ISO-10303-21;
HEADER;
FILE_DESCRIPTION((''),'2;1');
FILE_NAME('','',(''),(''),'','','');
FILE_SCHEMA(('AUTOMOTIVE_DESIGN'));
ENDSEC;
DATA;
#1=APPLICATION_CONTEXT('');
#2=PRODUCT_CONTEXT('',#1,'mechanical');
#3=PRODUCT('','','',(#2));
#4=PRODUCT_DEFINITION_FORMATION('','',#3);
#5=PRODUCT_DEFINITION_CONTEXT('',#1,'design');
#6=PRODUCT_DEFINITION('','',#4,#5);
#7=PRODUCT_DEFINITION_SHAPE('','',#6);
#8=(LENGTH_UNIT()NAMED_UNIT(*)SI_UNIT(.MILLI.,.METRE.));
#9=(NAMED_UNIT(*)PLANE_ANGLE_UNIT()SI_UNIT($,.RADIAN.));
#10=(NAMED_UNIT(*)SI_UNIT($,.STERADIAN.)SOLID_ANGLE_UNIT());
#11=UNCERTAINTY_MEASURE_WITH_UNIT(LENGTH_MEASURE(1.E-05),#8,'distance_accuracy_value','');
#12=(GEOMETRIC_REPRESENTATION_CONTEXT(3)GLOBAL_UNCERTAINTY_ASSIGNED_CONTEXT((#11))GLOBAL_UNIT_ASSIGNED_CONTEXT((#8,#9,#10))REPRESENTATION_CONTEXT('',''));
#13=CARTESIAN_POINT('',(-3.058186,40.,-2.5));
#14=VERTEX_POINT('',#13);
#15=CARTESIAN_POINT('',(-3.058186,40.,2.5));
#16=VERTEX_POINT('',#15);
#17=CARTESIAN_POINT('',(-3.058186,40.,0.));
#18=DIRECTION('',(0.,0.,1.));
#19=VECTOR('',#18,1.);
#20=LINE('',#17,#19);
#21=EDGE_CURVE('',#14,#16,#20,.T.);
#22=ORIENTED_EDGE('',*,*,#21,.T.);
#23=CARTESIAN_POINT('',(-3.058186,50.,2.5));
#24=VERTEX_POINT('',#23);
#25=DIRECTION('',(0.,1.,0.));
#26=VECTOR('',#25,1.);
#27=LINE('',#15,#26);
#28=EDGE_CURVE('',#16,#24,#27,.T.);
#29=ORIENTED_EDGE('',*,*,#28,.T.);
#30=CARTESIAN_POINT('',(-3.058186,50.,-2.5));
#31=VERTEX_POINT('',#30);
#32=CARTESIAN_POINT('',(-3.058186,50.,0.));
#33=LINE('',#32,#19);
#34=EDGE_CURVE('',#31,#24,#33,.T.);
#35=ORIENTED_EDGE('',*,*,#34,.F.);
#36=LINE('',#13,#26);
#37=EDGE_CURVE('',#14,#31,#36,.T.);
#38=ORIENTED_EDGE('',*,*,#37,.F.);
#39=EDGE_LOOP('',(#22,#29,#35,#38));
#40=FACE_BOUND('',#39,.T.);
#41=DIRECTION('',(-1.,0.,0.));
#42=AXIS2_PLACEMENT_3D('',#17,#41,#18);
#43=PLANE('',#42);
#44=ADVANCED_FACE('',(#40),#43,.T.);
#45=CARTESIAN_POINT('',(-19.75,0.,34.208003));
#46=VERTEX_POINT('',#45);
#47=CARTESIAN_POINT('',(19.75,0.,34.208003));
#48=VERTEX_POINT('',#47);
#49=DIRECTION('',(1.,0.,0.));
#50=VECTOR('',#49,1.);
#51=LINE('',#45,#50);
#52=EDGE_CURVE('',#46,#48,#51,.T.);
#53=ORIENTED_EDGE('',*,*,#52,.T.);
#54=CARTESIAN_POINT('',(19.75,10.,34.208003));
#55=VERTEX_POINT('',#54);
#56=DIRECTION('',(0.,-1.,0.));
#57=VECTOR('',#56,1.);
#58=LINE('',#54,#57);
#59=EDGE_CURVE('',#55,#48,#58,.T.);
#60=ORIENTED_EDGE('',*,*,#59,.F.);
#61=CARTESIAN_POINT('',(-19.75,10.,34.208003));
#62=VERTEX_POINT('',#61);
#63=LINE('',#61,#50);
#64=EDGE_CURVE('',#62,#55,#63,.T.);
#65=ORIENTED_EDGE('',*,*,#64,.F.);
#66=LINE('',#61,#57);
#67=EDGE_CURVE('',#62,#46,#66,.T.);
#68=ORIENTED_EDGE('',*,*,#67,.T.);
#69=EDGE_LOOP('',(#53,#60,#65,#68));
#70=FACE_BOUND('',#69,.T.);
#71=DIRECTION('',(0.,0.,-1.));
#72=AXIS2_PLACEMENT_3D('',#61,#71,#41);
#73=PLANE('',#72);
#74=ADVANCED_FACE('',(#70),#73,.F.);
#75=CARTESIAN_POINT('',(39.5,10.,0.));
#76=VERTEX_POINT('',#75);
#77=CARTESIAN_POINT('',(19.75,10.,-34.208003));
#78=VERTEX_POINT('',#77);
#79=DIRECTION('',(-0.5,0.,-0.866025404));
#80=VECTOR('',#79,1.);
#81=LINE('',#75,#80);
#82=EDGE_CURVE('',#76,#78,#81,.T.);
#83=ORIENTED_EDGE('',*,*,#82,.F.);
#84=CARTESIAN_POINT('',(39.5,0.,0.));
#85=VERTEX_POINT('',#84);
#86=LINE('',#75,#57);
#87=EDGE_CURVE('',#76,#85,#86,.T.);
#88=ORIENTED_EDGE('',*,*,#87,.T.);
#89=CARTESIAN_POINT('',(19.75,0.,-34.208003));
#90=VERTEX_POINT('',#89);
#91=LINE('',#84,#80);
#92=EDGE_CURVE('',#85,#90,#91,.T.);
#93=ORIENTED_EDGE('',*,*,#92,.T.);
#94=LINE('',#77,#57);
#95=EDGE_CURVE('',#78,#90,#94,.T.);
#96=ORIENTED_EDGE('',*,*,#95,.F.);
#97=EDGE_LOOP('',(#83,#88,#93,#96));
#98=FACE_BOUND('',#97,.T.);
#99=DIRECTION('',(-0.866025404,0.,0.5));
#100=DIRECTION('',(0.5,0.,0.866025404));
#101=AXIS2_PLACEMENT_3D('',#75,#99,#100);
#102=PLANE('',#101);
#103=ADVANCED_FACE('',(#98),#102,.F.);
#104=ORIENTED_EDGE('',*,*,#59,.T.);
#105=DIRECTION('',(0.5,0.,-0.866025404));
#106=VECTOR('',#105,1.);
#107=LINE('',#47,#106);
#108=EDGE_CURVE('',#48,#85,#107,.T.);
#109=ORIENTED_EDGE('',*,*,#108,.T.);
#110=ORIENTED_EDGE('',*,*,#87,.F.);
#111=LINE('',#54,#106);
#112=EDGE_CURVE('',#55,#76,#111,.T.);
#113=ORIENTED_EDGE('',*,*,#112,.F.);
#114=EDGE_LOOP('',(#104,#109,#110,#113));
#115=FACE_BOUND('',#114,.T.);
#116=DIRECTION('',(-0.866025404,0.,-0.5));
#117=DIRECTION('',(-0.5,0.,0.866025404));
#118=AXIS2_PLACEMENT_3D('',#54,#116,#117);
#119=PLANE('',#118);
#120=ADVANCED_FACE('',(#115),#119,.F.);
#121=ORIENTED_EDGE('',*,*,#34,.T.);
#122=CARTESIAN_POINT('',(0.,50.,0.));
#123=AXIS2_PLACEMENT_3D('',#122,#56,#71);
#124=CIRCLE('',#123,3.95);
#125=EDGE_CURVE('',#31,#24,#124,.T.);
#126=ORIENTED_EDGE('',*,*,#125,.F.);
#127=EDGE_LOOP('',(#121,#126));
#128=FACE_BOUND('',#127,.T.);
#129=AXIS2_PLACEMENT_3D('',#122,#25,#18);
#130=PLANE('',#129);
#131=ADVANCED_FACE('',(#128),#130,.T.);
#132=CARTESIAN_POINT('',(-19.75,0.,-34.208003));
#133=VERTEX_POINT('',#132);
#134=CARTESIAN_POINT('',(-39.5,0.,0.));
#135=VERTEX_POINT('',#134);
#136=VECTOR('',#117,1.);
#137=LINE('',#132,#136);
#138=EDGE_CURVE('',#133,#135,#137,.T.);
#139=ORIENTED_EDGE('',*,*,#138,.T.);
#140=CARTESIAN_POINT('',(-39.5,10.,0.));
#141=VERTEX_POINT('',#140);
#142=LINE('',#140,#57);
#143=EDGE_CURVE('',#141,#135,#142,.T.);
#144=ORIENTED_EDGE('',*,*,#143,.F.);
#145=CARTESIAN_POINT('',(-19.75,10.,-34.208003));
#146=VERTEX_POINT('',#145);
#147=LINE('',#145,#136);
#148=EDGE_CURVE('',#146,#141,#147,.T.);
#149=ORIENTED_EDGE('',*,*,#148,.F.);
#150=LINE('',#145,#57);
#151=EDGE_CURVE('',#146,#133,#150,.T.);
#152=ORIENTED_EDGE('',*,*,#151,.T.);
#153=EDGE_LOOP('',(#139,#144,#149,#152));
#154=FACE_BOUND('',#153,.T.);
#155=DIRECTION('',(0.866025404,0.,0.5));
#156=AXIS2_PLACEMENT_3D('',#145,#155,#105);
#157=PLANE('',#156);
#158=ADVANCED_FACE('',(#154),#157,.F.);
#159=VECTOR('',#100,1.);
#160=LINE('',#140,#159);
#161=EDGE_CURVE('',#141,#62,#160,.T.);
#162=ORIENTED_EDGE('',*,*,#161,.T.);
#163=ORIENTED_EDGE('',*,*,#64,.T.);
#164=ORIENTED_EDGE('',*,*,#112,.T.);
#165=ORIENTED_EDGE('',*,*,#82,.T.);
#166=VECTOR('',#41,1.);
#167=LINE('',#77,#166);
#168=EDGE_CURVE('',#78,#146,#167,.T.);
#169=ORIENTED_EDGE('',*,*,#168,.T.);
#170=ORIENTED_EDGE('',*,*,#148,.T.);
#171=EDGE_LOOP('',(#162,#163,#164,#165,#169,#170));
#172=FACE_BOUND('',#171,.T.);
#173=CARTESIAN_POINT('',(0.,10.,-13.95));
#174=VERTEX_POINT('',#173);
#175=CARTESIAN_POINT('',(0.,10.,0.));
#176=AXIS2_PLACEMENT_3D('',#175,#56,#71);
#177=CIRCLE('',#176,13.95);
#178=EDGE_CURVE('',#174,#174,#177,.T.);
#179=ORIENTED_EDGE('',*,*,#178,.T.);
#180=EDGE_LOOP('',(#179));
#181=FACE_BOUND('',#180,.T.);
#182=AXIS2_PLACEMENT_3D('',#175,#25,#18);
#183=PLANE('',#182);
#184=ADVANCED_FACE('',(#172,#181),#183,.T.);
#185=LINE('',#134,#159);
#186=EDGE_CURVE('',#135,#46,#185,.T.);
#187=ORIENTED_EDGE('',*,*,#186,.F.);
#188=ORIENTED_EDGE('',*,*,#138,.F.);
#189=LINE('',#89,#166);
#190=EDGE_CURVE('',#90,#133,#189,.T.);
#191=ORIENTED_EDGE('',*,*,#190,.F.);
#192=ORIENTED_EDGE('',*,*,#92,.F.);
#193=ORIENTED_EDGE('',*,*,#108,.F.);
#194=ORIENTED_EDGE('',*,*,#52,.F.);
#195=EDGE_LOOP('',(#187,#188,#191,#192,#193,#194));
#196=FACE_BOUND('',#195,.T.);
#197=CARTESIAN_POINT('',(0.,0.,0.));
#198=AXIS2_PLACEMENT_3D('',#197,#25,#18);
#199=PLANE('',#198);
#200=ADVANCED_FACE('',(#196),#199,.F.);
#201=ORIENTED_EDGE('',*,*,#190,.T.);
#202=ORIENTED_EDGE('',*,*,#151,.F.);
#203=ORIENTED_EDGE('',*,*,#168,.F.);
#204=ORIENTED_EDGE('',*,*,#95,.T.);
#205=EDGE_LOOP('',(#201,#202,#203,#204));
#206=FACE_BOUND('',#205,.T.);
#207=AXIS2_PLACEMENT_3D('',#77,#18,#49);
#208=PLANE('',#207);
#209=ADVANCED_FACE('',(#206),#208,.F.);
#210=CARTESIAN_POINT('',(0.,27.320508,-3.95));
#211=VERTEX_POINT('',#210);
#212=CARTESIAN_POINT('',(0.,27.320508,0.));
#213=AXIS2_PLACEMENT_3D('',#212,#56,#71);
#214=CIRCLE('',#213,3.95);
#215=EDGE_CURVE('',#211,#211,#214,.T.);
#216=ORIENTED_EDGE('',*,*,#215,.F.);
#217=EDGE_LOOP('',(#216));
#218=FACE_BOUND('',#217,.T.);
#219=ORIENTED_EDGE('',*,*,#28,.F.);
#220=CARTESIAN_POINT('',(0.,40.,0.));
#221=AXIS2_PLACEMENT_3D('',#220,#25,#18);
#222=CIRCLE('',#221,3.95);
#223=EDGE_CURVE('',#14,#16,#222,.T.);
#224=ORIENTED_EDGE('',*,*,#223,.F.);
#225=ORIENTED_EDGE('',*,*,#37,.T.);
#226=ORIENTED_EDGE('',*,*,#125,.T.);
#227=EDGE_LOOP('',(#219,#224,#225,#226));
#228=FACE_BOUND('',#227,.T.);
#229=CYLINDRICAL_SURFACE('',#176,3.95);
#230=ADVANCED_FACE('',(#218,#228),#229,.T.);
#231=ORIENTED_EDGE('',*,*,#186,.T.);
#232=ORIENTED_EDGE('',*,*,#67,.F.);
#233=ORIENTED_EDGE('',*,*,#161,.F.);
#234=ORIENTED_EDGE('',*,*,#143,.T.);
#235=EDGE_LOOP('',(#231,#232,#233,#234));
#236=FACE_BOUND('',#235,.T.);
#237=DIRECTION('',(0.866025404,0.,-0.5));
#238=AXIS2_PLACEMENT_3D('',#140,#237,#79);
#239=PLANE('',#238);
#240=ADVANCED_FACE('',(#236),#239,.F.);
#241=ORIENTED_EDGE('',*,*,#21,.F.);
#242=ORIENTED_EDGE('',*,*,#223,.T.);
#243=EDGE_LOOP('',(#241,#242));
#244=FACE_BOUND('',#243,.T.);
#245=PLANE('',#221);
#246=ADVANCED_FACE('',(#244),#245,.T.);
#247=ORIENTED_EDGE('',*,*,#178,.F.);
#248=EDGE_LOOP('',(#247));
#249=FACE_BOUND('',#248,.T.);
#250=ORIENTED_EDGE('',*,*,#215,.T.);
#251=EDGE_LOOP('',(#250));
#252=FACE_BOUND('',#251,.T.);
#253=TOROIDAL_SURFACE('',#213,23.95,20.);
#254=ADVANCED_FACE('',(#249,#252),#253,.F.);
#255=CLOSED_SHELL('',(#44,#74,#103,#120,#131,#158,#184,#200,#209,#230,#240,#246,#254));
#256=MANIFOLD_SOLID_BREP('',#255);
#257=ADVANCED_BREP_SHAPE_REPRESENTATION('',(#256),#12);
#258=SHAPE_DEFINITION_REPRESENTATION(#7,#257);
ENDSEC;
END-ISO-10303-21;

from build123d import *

# Parameters (mm, degrees)
BOSS_EXTRUDE1_DEPTH = 10
CUT_EXTRUDE1_START  = -10
CUT_EXTRUDE1_DEPTH  = 10


with BuildPart() as part:
    # Sketch1 → Boss-Extrude1 (new body)
    with BuildSketch(Plane(origin=(0, 0, 0), x_dir=(1, 0, 0), z_dir=(0, 1, 0))):
        Polygon((-19.75, 34.208003449), (-39.5, 0), (-19.75, -34.208003449), (19.75, -34.208003449), (39.5, 0), (19.75, 34.208003449), align=None)
    extrude(amount=BOSS_EXTRUDE1_DEPTH)

    # Sketch7 → Revolve1 (revolve)
    with BuildSketch(Plane(origin=(0, 0, 0), x_dir=(0, 0, -1), z_dir=(1, 0, 0))):
        with BuildLine():
            Line((0, 10), (0, 50))
            Line((0, 50), (3.95, 50))
            Line((3.95, 50), (3.95, 27.320508076))
            ThreePointArc((3.95, 27.320508076), (6.629491924, 17.320508076), (13.95, 10))
            Line((13.95, 10), (0, 10))
        make_face()
    revolve(axis=Axis((0, 10, 0), (0, 1, 0)))

    # Sketch8 → Cut-Extrude1 (cut)
    with BuildSketch(Plane(origin=(0, 50, 0), x_dir=(1, 0, 0), z_dir=(0, 1, 0)).offset(CUT_EXTRUDE1_START)):
        with BuildLine():
            Line((-3.058185737, -2.5), (-3.058185737, 2.5))
            ThreePointArc((-3.058185737, 2.5), (-3.95, 0), (-3.058185737, -2.5))
        make_face()
    extrude(amount=CUT_EXTRUDE1_DEPTH, mode=Mode.SUBTRACT)


solid = part.part
